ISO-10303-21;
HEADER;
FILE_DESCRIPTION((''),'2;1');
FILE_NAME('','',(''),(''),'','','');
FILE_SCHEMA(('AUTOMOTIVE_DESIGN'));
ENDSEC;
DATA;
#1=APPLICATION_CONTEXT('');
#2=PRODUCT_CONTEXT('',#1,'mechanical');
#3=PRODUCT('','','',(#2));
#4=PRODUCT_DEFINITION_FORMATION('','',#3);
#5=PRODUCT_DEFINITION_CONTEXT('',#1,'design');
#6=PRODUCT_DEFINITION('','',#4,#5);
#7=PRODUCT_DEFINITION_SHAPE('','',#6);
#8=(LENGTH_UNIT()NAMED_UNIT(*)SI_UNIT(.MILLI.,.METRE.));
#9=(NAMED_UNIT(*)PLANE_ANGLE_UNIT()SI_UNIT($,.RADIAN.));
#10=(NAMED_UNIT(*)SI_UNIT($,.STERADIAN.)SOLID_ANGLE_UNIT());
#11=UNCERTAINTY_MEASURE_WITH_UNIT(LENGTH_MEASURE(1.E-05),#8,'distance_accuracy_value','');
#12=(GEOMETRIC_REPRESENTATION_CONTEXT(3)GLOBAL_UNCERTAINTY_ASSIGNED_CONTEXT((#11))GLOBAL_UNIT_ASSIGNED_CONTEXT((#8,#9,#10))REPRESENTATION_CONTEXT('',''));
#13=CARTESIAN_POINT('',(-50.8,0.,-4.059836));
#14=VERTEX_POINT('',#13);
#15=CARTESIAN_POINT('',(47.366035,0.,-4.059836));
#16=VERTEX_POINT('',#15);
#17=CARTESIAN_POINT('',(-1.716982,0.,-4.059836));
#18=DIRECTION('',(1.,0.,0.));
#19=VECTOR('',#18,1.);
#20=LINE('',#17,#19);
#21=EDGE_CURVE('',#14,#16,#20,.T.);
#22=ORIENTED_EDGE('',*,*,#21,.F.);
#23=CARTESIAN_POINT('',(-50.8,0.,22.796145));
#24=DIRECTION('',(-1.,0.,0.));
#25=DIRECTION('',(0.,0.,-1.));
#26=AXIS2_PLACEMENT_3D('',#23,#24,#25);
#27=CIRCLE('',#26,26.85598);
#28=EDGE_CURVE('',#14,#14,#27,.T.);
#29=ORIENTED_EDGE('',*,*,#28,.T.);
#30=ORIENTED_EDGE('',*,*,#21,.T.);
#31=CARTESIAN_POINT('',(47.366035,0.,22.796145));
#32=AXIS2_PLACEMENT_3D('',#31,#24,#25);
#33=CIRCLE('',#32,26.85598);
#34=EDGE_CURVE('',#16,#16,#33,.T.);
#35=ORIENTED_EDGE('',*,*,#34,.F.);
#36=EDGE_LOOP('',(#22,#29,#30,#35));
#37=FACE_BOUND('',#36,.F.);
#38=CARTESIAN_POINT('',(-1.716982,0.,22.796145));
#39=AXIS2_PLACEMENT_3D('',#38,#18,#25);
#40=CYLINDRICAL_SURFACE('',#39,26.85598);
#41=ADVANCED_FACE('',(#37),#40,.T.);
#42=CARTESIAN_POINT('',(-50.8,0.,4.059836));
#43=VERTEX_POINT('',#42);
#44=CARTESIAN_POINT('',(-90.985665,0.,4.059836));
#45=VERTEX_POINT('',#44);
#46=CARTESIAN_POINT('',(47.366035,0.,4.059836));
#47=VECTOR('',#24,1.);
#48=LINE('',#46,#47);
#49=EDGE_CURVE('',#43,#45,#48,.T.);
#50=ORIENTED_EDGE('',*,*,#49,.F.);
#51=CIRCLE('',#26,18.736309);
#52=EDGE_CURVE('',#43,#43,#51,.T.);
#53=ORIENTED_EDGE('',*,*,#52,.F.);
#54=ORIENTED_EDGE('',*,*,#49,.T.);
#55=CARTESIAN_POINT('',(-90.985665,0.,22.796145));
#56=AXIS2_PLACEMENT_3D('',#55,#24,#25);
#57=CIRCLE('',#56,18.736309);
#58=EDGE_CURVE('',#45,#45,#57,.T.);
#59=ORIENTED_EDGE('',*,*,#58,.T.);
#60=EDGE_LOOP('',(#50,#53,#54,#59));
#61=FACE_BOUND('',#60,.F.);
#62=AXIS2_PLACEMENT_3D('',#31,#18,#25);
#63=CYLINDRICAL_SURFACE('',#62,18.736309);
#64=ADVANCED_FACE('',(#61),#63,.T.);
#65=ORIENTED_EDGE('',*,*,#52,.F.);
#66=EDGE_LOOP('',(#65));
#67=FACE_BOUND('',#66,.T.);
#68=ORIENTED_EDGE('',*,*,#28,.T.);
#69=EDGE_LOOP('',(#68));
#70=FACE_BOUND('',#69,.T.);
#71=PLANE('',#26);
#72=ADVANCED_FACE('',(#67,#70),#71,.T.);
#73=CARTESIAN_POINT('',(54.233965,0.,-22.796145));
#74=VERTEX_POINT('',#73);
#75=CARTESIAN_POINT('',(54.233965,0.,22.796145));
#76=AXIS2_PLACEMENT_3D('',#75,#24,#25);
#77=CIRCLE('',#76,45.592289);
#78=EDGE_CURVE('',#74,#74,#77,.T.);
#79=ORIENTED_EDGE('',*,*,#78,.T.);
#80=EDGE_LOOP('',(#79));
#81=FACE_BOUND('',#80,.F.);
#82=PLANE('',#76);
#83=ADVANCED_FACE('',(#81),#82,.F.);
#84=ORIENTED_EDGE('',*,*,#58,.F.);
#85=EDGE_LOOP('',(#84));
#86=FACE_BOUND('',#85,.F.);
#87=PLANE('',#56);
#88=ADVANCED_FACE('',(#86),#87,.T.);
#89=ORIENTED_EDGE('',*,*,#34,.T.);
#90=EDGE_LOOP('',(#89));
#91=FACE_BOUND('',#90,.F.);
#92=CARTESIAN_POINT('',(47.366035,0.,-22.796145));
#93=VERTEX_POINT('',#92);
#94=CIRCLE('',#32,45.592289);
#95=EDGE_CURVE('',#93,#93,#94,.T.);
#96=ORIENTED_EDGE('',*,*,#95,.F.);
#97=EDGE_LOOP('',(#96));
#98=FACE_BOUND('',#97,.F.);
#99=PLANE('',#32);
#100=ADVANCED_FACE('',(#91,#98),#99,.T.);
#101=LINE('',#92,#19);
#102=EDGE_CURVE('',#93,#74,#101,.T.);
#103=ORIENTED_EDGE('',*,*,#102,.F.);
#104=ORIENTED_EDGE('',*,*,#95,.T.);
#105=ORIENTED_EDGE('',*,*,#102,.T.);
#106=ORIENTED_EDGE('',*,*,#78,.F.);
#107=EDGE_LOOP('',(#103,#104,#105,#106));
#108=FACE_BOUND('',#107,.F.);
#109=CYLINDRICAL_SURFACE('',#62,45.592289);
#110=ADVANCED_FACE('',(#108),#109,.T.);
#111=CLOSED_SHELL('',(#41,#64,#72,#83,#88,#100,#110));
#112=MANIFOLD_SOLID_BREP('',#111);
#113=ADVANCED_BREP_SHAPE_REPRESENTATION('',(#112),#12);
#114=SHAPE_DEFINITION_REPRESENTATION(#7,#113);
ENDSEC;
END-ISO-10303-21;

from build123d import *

# Parameters (mm, degrees)
F0_W     = 3.4339645326
F0_H     = 8.1196713525
F0_W_2   = 98.1660354674
F2_DEPTH = 138.3517


with BuildPart() as f1:
    # F0 (on Front) → F1 (revolve)
    with BuildSketch(Plane.XZ):
        Polygon((47.3660354674, 22.796144709), (47.3660354674, 4.0598356762), (50.8, 4.0598356762), (50.8, -4.0598356762), (47.3660354674, -4.0598356762), (47.3660354674, -22.796144709), (54.2339645326, -22.796144709), (54.2339645326, 22.796144709), align=None)
        with Locations((49.0830177337, 0)):
            Rectangle(F0_W, F0_H)
        with Locations((-1.7169822663, 0)):
            Rectangle(F0_W_2, F0_H)
    revolve(axis=Axis((50.8, 0, 22.796144709), (-1, 0, 0)))

    # F2 (add): a face of the model
    f2_faces = [f1.faces().sort_by_distance(p)[0] for p in [
        (47.3660354674, 0, 22.796144709),
    ]]
    extrude(f2_faces, amount=F2_DEPTH)


solid = f1.part
